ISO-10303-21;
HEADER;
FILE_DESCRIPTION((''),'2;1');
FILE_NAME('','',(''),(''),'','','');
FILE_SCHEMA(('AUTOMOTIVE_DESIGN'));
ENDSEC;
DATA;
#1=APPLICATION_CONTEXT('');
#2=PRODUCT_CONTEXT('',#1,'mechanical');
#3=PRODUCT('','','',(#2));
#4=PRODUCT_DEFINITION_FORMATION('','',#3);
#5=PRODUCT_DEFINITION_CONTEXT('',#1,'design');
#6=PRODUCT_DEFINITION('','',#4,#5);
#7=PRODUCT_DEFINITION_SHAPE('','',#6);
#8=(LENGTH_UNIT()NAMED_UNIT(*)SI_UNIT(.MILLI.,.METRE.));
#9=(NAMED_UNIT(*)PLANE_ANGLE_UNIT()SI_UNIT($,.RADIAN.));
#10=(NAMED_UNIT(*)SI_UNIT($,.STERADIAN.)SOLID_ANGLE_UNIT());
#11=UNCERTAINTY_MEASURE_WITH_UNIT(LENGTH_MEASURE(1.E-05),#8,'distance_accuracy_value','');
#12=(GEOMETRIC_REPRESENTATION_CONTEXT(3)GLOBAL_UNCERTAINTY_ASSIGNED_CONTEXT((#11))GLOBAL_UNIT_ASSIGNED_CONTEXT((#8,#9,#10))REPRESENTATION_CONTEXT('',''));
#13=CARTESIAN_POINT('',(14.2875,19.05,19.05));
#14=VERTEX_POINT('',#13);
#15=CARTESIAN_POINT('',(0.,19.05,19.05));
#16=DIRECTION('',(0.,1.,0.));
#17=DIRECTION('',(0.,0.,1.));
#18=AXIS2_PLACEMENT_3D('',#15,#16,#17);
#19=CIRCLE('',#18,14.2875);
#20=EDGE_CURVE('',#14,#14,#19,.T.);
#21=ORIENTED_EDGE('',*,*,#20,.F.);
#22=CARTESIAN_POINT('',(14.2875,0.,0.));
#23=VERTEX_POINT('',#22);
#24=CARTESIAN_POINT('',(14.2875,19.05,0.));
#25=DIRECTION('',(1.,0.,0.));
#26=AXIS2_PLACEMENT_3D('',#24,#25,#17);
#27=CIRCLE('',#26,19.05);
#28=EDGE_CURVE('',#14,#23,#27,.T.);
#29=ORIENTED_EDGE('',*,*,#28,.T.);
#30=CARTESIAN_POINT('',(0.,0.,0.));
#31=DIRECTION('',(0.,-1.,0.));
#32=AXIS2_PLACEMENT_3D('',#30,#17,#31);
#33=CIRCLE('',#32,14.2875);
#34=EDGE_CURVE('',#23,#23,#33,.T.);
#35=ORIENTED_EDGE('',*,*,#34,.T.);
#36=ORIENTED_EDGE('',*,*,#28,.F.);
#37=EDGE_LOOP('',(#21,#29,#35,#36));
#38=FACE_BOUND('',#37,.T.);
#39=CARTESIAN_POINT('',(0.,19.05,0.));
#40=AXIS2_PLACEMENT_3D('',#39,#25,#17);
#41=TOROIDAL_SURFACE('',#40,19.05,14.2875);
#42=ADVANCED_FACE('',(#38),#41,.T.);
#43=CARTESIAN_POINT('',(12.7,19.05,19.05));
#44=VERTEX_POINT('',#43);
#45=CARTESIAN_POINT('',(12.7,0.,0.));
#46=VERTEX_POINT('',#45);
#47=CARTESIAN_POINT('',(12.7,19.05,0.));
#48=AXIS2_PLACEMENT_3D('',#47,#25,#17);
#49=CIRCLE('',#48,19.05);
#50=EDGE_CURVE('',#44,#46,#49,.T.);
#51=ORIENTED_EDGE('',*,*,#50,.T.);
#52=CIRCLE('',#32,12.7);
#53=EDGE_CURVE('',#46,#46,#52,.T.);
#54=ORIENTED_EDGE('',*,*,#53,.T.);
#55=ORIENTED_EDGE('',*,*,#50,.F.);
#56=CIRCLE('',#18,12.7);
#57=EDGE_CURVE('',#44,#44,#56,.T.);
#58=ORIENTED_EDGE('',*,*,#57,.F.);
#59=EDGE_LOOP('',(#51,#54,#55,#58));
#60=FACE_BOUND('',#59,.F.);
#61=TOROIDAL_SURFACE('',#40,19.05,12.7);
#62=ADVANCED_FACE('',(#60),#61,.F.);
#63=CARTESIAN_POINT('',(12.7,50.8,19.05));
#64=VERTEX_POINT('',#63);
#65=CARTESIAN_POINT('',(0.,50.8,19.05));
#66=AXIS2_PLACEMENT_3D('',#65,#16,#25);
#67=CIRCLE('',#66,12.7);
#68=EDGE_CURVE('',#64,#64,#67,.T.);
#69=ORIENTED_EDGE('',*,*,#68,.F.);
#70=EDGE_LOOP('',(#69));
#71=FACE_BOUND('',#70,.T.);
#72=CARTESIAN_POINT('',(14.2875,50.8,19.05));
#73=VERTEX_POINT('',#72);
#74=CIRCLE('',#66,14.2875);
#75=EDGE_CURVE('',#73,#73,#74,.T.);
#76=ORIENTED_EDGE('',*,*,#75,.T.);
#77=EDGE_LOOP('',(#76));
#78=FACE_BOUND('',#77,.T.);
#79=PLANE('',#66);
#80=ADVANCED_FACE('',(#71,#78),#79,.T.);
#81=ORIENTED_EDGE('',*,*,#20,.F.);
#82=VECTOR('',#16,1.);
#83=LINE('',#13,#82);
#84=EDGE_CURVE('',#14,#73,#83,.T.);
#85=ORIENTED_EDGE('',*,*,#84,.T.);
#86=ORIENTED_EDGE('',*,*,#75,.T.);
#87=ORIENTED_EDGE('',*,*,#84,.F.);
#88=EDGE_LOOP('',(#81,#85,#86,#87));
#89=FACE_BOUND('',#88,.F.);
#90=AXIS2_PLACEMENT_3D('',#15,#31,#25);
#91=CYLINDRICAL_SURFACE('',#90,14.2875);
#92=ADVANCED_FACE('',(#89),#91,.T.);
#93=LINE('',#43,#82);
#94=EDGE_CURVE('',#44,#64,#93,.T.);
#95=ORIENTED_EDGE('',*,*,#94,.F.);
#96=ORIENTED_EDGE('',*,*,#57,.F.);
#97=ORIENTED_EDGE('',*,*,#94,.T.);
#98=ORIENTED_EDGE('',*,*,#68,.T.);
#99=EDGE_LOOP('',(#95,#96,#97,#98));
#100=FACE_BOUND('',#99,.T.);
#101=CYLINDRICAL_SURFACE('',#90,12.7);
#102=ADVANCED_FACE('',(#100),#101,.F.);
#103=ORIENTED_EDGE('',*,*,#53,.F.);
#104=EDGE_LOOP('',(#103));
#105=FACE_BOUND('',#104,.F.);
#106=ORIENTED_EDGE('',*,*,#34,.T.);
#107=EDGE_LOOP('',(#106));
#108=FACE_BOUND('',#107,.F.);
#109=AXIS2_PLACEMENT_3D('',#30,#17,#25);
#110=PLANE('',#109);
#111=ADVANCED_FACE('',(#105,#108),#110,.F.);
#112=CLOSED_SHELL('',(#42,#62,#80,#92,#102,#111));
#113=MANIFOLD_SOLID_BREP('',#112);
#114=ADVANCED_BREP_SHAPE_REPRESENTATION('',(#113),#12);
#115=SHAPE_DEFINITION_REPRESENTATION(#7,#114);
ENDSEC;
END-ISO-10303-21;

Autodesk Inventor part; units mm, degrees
ref_plane "YZ Plane" through (0, 0, 0) normal (1, 0, 0) x (0, 1, 0)
ref_plane "XZ Plane" through (0, 0, 0) normal (0, 1, 0) x (-1, 0, 0)
ref_plane "XY Plane" through (0, 0, 0) normal (0, 0, 1) x (1, 0, 0)
sketch "Sketch1" plane through (0, 0, 0) normal (0, 0, 1) x (1, 0, 0)
  circle A0 centre (0, 0) radius 12.7
  circle A1 centre (0, 0) radius 14.2875
  dimension "d0" = 28.575
  dimension "d1" = 25.4
sketch "Sketch2" plane through (0, 0, 0) normal (1, 0, 0) x (0, 1, 0)
  arc A0 (19.05, 19.05) -> (0, 0) centre (19.05, 0) ccw
  dimension "d2" = 19.05
  dimension "d3" = 19.05
sweep "Sweep1" add profiles "Sketch1" path "Sketch2"
sketch "Sketch3" plane through (0, 19.05, 19.05) normal (0, 1, 0) x (1, 0, 0)
  circle A0 centre (0, 0) radius 12.7
  circle A1 centre (0, 0) radius 14.2875
  point P0 (0, 19.05)
  dimension "d6" = 25.4
  dimension "d7" = 28.575
  dimension "d8" = 19.05
extrude "Extrusion1" add sketch "Sketch3" along normal blind 31.75
properties part number "Intake" material "Stainless Steel"
